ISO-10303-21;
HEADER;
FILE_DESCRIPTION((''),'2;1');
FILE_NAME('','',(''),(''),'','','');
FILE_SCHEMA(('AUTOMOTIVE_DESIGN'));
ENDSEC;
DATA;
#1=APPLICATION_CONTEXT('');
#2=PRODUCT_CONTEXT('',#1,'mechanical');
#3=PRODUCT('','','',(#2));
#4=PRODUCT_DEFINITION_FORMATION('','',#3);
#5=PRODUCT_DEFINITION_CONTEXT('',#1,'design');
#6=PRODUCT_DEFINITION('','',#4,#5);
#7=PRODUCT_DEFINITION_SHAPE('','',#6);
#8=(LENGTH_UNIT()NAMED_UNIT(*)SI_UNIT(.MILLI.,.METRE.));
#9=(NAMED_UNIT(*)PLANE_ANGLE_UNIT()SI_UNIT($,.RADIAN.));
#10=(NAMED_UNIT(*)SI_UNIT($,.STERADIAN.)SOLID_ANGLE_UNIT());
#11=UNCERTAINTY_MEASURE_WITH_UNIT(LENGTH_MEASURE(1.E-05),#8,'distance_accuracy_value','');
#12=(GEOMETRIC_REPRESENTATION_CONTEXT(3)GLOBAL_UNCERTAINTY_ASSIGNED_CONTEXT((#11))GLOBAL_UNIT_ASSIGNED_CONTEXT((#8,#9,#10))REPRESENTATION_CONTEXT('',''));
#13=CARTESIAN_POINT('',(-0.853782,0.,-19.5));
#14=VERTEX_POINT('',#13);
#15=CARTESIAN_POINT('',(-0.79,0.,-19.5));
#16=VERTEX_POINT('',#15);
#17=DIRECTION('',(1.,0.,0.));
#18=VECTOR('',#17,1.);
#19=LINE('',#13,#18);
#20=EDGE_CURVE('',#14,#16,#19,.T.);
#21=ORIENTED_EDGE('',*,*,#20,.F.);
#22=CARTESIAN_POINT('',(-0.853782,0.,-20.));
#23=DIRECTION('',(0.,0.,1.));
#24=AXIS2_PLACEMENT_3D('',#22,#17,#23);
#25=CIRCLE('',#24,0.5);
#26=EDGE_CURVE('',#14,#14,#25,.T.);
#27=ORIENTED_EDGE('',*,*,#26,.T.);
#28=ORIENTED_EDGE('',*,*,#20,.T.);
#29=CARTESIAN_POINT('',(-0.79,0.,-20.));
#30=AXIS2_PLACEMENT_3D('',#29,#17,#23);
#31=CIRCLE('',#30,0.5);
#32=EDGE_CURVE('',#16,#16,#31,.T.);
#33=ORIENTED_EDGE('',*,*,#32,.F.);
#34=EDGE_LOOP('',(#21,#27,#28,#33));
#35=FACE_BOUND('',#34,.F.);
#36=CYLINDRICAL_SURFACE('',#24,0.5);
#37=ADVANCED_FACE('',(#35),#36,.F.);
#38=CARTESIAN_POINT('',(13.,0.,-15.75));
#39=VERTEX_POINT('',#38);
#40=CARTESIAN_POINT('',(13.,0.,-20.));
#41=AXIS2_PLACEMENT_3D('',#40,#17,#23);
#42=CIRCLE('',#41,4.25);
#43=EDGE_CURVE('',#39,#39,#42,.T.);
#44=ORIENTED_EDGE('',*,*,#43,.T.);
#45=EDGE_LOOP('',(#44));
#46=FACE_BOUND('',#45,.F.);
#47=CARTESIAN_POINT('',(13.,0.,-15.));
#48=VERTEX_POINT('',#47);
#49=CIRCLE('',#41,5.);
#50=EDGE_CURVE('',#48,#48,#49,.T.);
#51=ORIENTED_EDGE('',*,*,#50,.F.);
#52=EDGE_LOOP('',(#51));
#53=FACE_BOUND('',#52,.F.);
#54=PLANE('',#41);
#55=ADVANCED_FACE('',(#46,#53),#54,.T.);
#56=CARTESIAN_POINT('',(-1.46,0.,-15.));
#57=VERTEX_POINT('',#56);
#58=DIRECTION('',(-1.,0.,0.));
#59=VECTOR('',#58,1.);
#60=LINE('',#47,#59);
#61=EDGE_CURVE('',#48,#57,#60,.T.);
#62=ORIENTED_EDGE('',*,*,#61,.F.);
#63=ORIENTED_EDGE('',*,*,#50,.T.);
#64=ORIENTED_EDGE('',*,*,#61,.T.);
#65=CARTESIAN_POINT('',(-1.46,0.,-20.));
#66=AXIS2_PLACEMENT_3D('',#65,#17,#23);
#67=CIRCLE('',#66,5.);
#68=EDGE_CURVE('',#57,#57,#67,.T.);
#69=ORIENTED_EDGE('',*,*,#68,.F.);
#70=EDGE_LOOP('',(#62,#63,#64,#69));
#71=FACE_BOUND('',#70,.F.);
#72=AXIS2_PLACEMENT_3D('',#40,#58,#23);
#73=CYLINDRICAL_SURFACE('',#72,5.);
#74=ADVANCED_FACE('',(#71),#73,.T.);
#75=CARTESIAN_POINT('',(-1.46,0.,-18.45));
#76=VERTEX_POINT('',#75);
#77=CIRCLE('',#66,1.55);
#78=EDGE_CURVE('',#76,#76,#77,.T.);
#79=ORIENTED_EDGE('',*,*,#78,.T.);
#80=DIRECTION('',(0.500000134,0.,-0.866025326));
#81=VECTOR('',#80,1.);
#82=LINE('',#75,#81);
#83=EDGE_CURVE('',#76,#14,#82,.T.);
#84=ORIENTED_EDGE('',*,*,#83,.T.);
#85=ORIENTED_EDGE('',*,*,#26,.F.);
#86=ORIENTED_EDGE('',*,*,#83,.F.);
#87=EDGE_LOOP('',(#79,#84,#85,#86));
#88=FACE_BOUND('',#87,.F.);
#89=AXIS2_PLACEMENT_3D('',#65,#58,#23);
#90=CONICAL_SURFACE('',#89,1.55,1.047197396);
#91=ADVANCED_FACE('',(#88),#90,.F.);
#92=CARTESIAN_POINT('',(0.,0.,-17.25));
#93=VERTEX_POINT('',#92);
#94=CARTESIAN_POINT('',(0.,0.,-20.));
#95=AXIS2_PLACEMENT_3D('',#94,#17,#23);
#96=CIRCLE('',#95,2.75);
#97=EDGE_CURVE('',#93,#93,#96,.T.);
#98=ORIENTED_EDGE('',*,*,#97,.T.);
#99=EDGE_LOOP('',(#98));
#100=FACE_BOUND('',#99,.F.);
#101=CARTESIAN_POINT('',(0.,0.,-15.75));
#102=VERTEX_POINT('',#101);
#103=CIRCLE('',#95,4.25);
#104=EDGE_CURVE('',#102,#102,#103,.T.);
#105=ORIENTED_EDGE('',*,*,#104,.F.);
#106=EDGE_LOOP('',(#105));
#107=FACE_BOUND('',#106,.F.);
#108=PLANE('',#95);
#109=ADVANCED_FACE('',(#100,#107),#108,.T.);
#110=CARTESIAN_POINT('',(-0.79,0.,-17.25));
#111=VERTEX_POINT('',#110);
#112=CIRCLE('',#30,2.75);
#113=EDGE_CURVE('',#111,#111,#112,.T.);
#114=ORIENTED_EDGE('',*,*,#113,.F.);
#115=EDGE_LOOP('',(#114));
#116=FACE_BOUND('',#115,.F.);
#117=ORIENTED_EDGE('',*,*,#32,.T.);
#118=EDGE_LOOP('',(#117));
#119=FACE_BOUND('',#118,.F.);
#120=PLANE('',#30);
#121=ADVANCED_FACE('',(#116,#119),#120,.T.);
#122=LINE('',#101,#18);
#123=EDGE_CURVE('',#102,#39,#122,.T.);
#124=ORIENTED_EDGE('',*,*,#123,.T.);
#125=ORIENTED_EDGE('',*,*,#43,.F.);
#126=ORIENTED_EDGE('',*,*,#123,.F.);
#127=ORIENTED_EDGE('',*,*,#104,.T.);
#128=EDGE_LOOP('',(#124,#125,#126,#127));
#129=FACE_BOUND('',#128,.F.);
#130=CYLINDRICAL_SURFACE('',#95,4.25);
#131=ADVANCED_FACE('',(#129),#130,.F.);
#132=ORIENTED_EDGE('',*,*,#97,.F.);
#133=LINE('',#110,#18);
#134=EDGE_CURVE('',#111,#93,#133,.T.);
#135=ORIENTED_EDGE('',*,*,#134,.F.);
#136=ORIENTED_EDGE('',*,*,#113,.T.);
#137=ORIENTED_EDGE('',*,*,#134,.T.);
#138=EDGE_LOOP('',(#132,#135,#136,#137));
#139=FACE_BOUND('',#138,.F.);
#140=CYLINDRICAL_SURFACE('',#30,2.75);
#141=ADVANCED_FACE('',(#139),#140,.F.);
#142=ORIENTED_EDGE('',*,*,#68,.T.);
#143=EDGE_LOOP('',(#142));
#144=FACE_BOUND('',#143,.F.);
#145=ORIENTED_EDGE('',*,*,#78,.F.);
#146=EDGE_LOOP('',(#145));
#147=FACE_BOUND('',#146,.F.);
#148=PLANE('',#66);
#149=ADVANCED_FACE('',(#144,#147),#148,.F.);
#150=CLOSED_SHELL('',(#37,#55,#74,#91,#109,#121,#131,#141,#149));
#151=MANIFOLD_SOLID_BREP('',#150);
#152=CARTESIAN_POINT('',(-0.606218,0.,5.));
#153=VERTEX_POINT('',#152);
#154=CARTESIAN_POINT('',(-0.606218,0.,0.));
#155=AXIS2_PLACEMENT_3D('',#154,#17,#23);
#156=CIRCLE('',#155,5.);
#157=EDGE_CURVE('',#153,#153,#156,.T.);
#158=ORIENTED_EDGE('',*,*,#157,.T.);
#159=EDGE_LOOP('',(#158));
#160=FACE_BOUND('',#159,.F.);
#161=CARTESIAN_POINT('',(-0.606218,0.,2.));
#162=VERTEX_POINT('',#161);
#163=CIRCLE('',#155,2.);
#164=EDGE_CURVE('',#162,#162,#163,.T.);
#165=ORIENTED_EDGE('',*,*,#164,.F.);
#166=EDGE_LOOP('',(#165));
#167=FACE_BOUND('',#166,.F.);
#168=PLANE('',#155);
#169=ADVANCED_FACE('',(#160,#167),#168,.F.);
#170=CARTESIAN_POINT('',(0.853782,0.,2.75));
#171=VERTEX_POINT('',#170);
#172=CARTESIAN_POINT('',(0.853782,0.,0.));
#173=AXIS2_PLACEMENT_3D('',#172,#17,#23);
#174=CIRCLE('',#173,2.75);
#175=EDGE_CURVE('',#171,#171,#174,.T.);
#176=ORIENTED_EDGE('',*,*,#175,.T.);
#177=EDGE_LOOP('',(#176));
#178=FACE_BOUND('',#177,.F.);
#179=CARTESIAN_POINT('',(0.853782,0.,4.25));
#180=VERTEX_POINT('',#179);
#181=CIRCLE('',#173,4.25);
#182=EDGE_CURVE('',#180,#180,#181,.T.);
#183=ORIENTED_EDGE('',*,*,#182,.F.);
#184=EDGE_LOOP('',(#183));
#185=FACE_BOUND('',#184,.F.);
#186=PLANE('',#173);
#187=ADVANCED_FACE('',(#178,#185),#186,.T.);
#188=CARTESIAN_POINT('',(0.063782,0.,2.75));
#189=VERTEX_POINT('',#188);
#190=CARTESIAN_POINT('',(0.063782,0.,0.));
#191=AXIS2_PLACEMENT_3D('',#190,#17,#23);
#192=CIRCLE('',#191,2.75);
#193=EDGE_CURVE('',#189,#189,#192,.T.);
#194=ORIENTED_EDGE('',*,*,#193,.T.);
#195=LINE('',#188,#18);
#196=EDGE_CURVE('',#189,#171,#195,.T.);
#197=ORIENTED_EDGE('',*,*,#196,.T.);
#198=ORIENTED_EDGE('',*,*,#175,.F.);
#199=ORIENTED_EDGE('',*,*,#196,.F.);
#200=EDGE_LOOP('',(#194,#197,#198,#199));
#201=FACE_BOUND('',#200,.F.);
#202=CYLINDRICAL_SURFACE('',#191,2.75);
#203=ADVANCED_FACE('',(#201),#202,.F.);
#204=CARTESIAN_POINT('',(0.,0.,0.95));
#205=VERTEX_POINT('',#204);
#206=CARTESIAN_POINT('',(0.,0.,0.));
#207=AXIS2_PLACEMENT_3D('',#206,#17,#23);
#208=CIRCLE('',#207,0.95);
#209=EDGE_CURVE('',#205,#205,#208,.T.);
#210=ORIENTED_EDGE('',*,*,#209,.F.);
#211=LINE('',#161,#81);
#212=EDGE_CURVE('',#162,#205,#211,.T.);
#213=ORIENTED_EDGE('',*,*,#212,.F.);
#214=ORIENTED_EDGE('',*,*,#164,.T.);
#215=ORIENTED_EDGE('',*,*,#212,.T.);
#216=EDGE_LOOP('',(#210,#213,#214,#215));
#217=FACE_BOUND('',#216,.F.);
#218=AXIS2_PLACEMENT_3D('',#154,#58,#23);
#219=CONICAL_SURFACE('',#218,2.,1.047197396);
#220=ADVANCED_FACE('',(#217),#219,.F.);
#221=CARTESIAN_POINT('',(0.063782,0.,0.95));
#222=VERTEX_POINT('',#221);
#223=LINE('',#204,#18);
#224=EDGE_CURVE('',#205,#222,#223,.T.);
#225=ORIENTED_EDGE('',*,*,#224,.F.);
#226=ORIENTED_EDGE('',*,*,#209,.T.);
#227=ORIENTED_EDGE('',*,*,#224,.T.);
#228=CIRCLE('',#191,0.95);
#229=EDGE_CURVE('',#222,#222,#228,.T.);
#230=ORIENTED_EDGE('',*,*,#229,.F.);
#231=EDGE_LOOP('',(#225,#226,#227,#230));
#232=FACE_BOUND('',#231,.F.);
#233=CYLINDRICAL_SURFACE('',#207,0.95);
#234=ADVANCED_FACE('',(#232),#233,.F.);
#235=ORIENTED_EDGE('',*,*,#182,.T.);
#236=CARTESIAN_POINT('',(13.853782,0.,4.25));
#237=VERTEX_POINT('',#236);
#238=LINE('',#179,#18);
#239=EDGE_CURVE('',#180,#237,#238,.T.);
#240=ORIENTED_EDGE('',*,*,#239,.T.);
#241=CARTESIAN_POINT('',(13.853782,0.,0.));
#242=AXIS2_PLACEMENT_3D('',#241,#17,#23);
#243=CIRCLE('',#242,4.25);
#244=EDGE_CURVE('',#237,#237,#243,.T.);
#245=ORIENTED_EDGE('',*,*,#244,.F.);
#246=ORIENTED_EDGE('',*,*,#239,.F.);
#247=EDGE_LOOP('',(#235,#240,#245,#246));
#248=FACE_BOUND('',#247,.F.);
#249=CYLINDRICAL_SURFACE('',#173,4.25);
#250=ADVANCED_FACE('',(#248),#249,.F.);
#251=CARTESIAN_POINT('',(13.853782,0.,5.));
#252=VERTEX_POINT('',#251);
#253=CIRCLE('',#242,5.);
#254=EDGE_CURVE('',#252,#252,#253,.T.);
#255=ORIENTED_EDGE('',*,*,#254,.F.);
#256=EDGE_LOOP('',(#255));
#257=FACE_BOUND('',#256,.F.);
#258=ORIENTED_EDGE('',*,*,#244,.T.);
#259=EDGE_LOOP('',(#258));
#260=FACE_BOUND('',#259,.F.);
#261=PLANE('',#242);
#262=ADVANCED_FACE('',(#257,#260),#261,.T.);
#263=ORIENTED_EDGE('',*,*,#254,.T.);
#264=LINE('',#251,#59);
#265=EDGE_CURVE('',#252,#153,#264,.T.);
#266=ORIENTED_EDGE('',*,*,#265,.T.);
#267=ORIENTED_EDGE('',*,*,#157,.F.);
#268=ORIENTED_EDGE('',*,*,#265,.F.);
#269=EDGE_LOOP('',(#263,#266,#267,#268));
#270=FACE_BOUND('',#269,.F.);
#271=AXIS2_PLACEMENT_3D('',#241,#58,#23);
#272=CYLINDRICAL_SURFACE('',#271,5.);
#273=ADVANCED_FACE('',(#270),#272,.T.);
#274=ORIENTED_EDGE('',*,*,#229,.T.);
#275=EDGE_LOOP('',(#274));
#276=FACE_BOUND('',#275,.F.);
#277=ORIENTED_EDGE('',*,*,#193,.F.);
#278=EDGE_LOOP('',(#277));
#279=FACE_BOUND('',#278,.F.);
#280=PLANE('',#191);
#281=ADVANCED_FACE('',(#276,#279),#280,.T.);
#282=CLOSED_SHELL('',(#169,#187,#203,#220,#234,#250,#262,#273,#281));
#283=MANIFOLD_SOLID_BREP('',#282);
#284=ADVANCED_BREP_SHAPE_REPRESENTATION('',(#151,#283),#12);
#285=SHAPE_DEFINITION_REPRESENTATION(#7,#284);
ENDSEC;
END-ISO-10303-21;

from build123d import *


with BuildPart() as f1:
    # F0 (on Front) → F1 (revolve)
    with BuildSketch(Plane.XZ):
        Polygon((-0.606218, 2), (0, 0.95), (0.063782, 0.95), (0.063782, 2.75), (0.853782, 2.75), (0.853782, 4.25), (13.853782, 4.25), (13.853782, 5), (-0.606218, 5), align=None)
    revolve(axis=Axis((2.115859, 0, 0), (1, 0, 0)))


with BuildPart() as f2:
    # F0 (on Front) → F2 (revolve)
    with BuildSketch(Plane.XZ):
        Polygon((-1.46, -18.45), (-0.853782, -19.5), (-0.79, -19.5), (-0.79, -17.25), (0, -17.25), (0, -15.75), (13, -15.75), (13, -15), (-1.46, -15), align=None)
    revolve(axis=Axis((1.154894, 0, -20), (1, 0, 0)))


solid = Compound([f1.part, f2.part])
